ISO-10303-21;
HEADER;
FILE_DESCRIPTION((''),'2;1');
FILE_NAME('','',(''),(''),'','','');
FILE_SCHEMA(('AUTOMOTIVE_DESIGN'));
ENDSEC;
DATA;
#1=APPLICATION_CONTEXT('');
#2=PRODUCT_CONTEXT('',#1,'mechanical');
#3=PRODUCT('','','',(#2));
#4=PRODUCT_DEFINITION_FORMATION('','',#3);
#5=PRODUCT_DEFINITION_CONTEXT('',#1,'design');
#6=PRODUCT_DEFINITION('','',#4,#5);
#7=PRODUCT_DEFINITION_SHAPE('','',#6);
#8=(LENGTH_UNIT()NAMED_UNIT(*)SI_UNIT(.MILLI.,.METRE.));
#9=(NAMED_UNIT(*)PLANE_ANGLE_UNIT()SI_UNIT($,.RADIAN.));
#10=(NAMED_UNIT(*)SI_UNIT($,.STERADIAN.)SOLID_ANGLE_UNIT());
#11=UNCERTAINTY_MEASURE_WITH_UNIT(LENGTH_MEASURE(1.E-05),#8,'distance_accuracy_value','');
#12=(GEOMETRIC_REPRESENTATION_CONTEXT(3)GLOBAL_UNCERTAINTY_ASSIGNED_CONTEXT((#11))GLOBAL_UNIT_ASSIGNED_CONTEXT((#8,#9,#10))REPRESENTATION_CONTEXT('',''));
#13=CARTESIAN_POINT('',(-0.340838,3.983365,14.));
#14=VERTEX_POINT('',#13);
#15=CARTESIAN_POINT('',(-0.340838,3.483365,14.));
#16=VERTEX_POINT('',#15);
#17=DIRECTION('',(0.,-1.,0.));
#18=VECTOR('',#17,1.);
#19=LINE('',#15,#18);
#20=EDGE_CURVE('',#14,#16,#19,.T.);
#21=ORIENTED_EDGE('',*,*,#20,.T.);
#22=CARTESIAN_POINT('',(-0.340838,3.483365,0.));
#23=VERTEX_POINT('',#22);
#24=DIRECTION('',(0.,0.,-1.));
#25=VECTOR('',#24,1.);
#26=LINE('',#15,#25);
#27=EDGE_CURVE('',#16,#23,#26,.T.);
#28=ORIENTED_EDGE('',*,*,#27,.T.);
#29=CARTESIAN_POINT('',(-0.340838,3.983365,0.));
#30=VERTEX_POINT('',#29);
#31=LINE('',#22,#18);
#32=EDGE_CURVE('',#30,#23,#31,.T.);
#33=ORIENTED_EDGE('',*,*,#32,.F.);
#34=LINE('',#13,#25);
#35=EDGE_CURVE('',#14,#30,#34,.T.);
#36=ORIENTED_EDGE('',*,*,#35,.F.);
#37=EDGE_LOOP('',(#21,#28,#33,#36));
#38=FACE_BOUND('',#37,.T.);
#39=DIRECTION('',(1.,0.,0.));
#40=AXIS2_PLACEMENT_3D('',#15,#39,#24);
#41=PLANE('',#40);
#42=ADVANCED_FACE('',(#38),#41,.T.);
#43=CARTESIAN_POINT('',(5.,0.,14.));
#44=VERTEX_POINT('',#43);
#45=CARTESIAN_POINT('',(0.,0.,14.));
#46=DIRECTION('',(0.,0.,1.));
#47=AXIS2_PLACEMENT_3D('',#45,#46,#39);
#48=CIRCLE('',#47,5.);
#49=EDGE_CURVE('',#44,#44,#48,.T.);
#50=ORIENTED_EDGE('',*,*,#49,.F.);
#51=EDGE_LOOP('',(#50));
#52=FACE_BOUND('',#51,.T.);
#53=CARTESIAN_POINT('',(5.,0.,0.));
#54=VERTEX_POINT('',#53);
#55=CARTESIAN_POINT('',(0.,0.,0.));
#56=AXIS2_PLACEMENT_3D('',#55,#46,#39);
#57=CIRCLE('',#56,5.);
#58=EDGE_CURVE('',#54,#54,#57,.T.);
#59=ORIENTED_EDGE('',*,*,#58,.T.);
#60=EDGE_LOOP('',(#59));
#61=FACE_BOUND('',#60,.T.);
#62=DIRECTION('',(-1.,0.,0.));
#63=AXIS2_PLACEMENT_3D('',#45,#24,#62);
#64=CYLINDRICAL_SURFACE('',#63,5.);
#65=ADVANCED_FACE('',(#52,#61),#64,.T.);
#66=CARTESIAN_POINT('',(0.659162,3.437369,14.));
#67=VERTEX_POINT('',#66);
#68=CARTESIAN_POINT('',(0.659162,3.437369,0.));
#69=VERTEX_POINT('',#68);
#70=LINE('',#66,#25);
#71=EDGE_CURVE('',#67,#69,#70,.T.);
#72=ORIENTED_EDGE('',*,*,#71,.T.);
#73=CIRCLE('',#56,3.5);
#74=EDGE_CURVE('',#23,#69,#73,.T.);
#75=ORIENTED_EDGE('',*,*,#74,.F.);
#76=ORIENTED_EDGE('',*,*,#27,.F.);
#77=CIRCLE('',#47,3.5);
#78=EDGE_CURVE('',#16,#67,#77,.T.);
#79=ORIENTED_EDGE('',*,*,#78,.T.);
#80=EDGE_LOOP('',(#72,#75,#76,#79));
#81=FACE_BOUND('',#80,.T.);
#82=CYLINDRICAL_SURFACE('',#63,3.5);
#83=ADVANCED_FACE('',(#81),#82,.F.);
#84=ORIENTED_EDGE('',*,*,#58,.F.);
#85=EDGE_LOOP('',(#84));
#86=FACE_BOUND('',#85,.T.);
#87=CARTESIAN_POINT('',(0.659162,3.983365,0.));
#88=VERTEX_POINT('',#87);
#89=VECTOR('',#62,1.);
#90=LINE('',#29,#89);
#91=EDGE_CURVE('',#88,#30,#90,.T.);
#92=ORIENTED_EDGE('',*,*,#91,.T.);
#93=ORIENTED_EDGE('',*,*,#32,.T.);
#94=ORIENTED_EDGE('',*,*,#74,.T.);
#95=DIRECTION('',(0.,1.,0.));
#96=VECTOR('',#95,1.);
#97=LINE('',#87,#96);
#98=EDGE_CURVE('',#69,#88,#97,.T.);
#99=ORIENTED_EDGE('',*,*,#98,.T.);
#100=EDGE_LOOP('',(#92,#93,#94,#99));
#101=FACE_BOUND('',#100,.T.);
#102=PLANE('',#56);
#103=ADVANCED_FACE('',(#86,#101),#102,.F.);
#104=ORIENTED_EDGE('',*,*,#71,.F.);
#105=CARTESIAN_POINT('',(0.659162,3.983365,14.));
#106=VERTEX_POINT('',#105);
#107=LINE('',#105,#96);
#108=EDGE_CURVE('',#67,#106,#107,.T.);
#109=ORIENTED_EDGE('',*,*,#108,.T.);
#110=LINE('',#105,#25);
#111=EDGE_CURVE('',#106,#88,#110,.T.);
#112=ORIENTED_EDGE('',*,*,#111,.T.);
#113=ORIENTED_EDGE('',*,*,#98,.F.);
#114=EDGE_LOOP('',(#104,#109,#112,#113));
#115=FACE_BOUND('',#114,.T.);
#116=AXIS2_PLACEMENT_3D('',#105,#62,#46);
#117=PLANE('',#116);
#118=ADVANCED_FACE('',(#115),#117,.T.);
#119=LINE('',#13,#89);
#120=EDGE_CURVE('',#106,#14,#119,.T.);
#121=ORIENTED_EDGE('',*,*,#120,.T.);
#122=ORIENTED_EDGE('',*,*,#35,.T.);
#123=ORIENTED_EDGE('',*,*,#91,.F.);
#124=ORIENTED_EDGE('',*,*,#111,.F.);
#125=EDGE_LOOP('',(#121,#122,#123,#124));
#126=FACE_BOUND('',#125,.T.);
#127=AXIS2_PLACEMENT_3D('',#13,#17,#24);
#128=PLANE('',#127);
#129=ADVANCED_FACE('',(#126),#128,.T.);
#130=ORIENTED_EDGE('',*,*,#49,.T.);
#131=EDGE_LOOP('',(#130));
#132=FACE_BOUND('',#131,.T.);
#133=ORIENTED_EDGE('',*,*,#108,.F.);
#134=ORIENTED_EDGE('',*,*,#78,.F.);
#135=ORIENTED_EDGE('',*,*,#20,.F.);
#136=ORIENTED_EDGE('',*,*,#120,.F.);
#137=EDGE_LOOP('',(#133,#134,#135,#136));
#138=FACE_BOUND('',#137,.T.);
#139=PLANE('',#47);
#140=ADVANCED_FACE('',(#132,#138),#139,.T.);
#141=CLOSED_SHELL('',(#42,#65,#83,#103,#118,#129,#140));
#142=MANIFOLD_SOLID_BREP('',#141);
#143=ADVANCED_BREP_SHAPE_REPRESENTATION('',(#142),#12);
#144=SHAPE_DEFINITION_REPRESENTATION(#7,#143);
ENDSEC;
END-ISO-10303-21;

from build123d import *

# Parameters (mm, degrees)
SKETCH1_R           = 5
BOSS_EXTRUDE1_DEPTH = 14


with BuildPart() as part:
    # Sketch1 → Boss-Extrude1 (new body)
    with BuildSketch(Plane.XY):
        Circle(SKETCH1_R)
        with BuildLine():
            Line((-0.340838031, 3.483364672), (-0.340838031, 3.983364672))
            Line((-0.340838031, 3.983364672), (0.659161969, 3.983364672))
            Line((0.659161969, 3.983364672), (0.659161969, 3.437368979))
            ThreePointArc((0.659161969, 3.437368979), (-0.160814904, -3.496303558), (-0.340838031, 3.483364672))
        make_face(mode=Mode.SUBTRACT)
    extrude(amount=BOSS_EXTRUDE1_DEPTH)


solid = part.part
